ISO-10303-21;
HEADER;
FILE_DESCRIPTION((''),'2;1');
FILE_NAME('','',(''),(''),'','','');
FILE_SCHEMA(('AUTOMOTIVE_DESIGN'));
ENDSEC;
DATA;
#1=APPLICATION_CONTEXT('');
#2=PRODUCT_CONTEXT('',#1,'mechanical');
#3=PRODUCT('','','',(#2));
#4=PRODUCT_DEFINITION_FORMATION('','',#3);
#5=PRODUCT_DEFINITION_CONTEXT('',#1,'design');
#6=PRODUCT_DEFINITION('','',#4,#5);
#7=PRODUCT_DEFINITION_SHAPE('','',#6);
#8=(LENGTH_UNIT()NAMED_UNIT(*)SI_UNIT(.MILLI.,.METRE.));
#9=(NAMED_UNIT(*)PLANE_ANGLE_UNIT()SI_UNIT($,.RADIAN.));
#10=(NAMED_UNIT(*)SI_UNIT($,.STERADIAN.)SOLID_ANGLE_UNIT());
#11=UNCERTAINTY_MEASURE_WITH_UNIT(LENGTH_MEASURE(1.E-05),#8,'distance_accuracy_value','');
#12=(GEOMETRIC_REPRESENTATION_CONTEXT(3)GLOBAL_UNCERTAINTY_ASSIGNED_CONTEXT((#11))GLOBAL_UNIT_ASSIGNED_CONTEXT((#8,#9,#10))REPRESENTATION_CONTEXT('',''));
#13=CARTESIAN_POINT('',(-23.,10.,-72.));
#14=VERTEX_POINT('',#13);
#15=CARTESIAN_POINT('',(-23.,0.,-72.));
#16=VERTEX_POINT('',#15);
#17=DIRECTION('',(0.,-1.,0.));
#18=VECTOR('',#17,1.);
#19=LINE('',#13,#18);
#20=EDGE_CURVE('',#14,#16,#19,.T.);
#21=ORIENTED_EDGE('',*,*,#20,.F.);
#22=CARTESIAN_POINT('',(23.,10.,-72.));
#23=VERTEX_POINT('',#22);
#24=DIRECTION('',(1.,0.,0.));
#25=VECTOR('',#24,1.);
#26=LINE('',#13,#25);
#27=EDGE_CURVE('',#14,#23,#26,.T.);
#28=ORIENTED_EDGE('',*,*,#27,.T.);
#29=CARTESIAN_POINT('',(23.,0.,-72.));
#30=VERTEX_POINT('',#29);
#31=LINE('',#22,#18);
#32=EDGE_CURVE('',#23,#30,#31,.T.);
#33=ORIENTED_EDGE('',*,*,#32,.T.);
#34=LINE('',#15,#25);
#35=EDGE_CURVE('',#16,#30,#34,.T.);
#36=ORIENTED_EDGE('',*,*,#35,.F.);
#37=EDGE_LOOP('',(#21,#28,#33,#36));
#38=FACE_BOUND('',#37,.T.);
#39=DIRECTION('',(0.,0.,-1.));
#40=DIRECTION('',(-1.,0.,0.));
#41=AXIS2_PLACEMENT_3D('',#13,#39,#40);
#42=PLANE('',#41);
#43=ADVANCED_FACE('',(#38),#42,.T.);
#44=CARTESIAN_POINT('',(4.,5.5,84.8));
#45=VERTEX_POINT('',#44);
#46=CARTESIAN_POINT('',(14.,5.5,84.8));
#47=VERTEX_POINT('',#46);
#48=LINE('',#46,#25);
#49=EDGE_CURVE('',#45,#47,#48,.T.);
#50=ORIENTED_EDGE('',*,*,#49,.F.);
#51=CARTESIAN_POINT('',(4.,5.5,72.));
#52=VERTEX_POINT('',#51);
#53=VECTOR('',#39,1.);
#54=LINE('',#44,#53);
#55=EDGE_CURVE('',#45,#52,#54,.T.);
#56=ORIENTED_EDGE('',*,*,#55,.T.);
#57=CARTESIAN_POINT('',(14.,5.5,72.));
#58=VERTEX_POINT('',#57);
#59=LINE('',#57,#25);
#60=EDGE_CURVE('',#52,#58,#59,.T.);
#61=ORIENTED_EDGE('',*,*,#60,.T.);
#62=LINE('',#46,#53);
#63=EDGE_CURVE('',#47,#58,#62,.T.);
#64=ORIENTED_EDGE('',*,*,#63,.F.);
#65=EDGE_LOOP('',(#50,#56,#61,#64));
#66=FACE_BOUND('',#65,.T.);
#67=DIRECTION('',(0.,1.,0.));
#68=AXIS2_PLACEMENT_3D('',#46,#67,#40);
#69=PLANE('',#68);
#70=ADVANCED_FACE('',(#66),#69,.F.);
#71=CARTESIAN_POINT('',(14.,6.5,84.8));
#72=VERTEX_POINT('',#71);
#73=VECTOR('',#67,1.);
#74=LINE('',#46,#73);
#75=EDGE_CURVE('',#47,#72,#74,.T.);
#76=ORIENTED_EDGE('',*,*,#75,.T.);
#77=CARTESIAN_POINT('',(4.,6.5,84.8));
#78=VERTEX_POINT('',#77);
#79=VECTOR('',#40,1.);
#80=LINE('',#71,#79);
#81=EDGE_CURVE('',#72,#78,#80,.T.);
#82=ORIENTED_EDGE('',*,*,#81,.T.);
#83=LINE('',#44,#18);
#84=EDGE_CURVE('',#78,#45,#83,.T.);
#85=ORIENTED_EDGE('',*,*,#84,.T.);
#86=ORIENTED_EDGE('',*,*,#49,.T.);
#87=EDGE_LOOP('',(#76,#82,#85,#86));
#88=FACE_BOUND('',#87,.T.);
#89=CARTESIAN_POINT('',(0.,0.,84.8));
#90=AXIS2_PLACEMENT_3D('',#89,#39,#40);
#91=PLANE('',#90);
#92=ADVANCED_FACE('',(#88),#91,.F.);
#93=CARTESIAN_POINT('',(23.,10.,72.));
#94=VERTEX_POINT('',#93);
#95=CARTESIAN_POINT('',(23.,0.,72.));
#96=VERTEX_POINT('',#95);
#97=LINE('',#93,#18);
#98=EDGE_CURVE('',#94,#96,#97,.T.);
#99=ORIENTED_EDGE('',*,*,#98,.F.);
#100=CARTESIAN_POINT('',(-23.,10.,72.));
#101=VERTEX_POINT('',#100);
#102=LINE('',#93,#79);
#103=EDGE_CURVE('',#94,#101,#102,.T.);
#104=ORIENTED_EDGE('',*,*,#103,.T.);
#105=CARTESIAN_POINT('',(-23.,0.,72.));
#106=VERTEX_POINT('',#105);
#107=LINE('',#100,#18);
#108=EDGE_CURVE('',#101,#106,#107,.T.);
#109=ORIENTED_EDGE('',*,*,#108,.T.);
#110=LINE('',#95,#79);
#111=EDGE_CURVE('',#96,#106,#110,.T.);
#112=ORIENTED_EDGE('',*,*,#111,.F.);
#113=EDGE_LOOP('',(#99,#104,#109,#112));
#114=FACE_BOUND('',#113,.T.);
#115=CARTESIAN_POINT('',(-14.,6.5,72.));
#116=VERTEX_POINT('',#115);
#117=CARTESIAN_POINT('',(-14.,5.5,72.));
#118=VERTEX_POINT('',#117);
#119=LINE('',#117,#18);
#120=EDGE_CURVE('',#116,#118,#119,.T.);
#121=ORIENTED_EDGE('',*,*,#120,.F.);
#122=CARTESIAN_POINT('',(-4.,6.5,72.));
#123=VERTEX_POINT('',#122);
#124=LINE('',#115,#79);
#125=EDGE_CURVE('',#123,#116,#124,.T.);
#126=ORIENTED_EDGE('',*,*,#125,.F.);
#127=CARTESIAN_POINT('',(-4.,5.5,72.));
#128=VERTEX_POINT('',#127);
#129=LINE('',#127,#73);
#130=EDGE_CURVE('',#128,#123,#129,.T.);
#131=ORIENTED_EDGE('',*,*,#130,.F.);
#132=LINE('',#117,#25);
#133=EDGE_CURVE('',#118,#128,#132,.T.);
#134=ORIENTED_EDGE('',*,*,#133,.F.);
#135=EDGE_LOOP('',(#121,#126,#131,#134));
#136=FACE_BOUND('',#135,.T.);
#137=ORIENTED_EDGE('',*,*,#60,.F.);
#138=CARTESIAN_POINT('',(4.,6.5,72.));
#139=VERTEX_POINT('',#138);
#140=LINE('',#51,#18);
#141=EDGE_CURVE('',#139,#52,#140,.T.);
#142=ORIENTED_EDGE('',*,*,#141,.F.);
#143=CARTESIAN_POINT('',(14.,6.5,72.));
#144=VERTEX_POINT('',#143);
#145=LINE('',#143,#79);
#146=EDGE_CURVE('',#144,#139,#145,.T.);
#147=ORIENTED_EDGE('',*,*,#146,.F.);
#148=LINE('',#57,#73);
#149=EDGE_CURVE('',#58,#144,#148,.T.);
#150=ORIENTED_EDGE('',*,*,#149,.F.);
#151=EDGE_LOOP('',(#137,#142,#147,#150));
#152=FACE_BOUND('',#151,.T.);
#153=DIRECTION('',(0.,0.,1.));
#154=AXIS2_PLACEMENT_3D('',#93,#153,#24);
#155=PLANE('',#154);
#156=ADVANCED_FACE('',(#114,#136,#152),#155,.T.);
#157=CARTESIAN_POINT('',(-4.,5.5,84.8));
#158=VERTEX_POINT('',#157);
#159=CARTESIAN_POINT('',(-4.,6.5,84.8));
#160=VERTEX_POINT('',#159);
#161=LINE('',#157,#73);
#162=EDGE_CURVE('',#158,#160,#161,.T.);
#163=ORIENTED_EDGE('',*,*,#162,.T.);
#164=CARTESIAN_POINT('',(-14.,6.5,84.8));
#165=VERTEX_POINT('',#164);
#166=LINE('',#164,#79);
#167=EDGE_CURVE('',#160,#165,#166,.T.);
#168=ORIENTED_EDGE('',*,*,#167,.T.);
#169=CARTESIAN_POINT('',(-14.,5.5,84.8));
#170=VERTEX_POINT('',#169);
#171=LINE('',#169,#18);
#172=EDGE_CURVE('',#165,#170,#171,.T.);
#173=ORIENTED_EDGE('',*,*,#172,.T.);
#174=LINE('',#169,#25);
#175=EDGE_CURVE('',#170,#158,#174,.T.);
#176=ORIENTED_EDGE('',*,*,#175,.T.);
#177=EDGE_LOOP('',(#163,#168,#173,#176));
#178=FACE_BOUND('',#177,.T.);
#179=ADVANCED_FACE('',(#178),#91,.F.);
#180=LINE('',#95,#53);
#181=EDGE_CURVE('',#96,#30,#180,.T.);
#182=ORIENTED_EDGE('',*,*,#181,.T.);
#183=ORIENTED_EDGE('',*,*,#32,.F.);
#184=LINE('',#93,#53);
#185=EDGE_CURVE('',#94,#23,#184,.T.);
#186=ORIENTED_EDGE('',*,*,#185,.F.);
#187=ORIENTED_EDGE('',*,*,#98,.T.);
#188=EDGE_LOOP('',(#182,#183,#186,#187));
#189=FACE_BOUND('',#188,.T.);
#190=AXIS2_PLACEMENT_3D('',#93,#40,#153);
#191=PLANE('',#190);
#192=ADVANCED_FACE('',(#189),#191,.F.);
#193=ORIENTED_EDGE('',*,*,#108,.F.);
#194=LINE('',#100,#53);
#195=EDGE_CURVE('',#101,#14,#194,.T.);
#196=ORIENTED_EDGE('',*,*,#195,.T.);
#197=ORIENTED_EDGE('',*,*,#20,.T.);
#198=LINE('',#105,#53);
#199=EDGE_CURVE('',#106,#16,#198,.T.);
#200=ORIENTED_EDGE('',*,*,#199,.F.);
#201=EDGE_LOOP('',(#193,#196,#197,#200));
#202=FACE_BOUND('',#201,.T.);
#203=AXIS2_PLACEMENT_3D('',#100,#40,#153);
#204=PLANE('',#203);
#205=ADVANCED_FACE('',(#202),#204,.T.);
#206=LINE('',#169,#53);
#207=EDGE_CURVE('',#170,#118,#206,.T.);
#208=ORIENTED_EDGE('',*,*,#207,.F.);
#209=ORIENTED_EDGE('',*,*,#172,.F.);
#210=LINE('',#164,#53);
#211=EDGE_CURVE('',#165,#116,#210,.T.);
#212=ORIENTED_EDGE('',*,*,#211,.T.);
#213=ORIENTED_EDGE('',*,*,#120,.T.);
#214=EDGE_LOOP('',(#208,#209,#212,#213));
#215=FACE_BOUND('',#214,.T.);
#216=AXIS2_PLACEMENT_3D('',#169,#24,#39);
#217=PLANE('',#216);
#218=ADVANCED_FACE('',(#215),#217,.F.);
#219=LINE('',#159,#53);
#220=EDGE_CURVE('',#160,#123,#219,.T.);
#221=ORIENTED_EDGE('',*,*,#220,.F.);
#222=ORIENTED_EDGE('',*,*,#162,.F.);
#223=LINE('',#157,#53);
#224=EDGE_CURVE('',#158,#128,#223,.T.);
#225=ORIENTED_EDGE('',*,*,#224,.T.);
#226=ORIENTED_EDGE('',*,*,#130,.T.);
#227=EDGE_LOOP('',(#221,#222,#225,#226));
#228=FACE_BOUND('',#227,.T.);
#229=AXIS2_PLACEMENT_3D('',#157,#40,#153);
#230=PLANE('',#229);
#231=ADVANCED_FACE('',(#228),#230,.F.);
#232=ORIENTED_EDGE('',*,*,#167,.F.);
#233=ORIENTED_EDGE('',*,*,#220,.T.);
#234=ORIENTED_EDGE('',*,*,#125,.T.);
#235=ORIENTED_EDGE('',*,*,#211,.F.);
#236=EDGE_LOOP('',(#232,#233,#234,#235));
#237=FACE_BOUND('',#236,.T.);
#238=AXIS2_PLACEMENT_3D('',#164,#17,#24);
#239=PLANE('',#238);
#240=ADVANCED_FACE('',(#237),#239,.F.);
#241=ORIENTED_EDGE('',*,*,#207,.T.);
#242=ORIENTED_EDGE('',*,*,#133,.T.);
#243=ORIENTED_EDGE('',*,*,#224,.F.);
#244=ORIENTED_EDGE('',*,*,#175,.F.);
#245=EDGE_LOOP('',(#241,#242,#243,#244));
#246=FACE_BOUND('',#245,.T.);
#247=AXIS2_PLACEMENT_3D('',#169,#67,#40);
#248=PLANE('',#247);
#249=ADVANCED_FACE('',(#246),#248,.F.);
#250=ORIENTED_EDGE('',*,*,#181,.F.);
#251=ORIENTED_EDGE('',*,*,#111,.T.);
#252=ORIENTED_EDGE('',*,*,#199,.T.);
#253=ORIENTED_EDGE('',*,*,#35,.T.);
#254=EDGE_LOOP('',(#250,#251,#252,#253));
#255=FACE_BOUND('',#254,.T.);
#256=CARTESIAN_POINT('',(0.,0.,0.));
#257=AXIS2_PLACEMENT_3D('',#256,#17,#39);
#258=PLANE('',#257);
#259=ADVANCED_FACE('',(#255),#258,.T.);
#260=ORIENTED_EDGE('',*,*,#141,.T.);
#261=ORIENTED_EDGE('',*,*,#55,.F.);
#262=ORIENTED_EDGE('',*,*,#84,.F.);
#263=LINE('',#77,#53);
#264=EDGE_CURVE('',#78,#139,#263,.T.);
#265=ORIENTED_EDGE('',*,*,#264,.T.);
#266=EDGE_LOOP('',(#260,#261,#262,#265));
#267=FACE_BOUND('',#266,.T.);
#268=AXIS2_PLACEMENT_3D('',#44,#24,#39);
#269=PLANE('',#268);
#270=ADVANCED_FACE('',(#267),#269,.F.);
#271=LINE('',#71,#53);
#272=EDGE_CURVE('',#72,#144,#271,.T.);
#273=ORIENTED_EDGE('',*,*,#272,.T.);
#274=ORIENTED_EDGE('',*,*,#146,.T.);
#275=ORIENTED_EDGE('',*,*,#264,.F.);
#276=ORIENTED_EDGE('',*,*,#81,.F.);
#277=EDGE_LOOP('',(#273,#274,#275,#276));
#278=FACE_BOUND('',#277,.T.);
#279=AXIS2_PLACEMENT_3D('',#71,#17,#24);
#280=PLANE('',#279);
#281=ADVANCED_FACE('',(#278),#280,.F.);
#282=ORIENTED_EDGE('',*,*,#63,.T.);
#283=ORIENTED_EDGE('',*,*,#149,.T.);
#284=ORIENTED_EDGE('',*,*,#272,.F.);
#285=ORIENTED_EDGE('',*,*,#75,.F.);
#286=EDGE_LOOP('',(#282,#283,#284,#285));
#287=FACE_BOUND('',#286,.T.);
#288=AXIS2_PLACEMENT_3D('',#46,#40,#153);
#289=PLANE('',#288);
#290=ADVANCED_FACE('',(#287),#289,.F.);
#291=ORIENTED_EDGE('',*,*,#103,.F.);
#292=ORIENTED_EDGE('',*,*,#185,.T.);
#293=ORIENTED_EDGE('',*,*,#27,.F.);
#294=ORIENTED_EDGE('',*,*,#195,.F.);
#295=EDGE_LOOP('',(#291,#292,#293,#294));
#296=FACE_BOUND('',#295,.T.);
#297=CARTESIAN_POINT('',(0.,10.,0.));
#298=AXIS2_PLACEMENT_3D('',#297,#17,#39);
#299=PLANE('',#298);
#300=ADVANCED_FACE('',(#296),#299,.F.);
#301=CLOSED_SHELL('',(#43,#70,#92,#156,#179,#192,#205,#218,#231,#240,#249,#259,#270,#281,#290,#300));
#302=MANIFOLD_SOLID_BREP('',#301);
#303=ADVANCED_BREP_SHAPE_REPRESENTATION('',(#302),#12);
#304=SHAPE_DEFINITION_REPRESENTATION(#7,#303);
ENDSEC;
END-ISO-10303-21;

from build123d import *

# Parameters (mm, degrees)
SKETCH1_W           = 46
SKETCH1_H           = 144
CELL_DEPTH          = 10
SKETCH2_W           = 10
SKETCH2_H           = 1
BOSS_EXTRUDE1_DEPTH = 12.8


with BuildPart() as part:
    # Sketch1 → cell (new body)
    with BuildSketch(Plane(origin=(0, 0, 0), x_dir=(1, 0, 0), z_dir=(0, 1, 0))):
        Rectangle(SKETCH1_W, SKETCH1_H)
    extrude(amount=CELL_DEPTH)

    # Sketch2 → Boss-Extrude1 (add)
    with BuildSketch(Plane.XY.offset(72)):
        with Locations((-9, 6)):
            Rectangle(SKETCH2_W, SKETCH2_H)
        with Locations((9, 6)):
            Rectangle(SKETCH2_W, SKETCH2_H)
    extrude(amount=BOSS_EXTRUDE1_DEPTH)


solid = part.part
